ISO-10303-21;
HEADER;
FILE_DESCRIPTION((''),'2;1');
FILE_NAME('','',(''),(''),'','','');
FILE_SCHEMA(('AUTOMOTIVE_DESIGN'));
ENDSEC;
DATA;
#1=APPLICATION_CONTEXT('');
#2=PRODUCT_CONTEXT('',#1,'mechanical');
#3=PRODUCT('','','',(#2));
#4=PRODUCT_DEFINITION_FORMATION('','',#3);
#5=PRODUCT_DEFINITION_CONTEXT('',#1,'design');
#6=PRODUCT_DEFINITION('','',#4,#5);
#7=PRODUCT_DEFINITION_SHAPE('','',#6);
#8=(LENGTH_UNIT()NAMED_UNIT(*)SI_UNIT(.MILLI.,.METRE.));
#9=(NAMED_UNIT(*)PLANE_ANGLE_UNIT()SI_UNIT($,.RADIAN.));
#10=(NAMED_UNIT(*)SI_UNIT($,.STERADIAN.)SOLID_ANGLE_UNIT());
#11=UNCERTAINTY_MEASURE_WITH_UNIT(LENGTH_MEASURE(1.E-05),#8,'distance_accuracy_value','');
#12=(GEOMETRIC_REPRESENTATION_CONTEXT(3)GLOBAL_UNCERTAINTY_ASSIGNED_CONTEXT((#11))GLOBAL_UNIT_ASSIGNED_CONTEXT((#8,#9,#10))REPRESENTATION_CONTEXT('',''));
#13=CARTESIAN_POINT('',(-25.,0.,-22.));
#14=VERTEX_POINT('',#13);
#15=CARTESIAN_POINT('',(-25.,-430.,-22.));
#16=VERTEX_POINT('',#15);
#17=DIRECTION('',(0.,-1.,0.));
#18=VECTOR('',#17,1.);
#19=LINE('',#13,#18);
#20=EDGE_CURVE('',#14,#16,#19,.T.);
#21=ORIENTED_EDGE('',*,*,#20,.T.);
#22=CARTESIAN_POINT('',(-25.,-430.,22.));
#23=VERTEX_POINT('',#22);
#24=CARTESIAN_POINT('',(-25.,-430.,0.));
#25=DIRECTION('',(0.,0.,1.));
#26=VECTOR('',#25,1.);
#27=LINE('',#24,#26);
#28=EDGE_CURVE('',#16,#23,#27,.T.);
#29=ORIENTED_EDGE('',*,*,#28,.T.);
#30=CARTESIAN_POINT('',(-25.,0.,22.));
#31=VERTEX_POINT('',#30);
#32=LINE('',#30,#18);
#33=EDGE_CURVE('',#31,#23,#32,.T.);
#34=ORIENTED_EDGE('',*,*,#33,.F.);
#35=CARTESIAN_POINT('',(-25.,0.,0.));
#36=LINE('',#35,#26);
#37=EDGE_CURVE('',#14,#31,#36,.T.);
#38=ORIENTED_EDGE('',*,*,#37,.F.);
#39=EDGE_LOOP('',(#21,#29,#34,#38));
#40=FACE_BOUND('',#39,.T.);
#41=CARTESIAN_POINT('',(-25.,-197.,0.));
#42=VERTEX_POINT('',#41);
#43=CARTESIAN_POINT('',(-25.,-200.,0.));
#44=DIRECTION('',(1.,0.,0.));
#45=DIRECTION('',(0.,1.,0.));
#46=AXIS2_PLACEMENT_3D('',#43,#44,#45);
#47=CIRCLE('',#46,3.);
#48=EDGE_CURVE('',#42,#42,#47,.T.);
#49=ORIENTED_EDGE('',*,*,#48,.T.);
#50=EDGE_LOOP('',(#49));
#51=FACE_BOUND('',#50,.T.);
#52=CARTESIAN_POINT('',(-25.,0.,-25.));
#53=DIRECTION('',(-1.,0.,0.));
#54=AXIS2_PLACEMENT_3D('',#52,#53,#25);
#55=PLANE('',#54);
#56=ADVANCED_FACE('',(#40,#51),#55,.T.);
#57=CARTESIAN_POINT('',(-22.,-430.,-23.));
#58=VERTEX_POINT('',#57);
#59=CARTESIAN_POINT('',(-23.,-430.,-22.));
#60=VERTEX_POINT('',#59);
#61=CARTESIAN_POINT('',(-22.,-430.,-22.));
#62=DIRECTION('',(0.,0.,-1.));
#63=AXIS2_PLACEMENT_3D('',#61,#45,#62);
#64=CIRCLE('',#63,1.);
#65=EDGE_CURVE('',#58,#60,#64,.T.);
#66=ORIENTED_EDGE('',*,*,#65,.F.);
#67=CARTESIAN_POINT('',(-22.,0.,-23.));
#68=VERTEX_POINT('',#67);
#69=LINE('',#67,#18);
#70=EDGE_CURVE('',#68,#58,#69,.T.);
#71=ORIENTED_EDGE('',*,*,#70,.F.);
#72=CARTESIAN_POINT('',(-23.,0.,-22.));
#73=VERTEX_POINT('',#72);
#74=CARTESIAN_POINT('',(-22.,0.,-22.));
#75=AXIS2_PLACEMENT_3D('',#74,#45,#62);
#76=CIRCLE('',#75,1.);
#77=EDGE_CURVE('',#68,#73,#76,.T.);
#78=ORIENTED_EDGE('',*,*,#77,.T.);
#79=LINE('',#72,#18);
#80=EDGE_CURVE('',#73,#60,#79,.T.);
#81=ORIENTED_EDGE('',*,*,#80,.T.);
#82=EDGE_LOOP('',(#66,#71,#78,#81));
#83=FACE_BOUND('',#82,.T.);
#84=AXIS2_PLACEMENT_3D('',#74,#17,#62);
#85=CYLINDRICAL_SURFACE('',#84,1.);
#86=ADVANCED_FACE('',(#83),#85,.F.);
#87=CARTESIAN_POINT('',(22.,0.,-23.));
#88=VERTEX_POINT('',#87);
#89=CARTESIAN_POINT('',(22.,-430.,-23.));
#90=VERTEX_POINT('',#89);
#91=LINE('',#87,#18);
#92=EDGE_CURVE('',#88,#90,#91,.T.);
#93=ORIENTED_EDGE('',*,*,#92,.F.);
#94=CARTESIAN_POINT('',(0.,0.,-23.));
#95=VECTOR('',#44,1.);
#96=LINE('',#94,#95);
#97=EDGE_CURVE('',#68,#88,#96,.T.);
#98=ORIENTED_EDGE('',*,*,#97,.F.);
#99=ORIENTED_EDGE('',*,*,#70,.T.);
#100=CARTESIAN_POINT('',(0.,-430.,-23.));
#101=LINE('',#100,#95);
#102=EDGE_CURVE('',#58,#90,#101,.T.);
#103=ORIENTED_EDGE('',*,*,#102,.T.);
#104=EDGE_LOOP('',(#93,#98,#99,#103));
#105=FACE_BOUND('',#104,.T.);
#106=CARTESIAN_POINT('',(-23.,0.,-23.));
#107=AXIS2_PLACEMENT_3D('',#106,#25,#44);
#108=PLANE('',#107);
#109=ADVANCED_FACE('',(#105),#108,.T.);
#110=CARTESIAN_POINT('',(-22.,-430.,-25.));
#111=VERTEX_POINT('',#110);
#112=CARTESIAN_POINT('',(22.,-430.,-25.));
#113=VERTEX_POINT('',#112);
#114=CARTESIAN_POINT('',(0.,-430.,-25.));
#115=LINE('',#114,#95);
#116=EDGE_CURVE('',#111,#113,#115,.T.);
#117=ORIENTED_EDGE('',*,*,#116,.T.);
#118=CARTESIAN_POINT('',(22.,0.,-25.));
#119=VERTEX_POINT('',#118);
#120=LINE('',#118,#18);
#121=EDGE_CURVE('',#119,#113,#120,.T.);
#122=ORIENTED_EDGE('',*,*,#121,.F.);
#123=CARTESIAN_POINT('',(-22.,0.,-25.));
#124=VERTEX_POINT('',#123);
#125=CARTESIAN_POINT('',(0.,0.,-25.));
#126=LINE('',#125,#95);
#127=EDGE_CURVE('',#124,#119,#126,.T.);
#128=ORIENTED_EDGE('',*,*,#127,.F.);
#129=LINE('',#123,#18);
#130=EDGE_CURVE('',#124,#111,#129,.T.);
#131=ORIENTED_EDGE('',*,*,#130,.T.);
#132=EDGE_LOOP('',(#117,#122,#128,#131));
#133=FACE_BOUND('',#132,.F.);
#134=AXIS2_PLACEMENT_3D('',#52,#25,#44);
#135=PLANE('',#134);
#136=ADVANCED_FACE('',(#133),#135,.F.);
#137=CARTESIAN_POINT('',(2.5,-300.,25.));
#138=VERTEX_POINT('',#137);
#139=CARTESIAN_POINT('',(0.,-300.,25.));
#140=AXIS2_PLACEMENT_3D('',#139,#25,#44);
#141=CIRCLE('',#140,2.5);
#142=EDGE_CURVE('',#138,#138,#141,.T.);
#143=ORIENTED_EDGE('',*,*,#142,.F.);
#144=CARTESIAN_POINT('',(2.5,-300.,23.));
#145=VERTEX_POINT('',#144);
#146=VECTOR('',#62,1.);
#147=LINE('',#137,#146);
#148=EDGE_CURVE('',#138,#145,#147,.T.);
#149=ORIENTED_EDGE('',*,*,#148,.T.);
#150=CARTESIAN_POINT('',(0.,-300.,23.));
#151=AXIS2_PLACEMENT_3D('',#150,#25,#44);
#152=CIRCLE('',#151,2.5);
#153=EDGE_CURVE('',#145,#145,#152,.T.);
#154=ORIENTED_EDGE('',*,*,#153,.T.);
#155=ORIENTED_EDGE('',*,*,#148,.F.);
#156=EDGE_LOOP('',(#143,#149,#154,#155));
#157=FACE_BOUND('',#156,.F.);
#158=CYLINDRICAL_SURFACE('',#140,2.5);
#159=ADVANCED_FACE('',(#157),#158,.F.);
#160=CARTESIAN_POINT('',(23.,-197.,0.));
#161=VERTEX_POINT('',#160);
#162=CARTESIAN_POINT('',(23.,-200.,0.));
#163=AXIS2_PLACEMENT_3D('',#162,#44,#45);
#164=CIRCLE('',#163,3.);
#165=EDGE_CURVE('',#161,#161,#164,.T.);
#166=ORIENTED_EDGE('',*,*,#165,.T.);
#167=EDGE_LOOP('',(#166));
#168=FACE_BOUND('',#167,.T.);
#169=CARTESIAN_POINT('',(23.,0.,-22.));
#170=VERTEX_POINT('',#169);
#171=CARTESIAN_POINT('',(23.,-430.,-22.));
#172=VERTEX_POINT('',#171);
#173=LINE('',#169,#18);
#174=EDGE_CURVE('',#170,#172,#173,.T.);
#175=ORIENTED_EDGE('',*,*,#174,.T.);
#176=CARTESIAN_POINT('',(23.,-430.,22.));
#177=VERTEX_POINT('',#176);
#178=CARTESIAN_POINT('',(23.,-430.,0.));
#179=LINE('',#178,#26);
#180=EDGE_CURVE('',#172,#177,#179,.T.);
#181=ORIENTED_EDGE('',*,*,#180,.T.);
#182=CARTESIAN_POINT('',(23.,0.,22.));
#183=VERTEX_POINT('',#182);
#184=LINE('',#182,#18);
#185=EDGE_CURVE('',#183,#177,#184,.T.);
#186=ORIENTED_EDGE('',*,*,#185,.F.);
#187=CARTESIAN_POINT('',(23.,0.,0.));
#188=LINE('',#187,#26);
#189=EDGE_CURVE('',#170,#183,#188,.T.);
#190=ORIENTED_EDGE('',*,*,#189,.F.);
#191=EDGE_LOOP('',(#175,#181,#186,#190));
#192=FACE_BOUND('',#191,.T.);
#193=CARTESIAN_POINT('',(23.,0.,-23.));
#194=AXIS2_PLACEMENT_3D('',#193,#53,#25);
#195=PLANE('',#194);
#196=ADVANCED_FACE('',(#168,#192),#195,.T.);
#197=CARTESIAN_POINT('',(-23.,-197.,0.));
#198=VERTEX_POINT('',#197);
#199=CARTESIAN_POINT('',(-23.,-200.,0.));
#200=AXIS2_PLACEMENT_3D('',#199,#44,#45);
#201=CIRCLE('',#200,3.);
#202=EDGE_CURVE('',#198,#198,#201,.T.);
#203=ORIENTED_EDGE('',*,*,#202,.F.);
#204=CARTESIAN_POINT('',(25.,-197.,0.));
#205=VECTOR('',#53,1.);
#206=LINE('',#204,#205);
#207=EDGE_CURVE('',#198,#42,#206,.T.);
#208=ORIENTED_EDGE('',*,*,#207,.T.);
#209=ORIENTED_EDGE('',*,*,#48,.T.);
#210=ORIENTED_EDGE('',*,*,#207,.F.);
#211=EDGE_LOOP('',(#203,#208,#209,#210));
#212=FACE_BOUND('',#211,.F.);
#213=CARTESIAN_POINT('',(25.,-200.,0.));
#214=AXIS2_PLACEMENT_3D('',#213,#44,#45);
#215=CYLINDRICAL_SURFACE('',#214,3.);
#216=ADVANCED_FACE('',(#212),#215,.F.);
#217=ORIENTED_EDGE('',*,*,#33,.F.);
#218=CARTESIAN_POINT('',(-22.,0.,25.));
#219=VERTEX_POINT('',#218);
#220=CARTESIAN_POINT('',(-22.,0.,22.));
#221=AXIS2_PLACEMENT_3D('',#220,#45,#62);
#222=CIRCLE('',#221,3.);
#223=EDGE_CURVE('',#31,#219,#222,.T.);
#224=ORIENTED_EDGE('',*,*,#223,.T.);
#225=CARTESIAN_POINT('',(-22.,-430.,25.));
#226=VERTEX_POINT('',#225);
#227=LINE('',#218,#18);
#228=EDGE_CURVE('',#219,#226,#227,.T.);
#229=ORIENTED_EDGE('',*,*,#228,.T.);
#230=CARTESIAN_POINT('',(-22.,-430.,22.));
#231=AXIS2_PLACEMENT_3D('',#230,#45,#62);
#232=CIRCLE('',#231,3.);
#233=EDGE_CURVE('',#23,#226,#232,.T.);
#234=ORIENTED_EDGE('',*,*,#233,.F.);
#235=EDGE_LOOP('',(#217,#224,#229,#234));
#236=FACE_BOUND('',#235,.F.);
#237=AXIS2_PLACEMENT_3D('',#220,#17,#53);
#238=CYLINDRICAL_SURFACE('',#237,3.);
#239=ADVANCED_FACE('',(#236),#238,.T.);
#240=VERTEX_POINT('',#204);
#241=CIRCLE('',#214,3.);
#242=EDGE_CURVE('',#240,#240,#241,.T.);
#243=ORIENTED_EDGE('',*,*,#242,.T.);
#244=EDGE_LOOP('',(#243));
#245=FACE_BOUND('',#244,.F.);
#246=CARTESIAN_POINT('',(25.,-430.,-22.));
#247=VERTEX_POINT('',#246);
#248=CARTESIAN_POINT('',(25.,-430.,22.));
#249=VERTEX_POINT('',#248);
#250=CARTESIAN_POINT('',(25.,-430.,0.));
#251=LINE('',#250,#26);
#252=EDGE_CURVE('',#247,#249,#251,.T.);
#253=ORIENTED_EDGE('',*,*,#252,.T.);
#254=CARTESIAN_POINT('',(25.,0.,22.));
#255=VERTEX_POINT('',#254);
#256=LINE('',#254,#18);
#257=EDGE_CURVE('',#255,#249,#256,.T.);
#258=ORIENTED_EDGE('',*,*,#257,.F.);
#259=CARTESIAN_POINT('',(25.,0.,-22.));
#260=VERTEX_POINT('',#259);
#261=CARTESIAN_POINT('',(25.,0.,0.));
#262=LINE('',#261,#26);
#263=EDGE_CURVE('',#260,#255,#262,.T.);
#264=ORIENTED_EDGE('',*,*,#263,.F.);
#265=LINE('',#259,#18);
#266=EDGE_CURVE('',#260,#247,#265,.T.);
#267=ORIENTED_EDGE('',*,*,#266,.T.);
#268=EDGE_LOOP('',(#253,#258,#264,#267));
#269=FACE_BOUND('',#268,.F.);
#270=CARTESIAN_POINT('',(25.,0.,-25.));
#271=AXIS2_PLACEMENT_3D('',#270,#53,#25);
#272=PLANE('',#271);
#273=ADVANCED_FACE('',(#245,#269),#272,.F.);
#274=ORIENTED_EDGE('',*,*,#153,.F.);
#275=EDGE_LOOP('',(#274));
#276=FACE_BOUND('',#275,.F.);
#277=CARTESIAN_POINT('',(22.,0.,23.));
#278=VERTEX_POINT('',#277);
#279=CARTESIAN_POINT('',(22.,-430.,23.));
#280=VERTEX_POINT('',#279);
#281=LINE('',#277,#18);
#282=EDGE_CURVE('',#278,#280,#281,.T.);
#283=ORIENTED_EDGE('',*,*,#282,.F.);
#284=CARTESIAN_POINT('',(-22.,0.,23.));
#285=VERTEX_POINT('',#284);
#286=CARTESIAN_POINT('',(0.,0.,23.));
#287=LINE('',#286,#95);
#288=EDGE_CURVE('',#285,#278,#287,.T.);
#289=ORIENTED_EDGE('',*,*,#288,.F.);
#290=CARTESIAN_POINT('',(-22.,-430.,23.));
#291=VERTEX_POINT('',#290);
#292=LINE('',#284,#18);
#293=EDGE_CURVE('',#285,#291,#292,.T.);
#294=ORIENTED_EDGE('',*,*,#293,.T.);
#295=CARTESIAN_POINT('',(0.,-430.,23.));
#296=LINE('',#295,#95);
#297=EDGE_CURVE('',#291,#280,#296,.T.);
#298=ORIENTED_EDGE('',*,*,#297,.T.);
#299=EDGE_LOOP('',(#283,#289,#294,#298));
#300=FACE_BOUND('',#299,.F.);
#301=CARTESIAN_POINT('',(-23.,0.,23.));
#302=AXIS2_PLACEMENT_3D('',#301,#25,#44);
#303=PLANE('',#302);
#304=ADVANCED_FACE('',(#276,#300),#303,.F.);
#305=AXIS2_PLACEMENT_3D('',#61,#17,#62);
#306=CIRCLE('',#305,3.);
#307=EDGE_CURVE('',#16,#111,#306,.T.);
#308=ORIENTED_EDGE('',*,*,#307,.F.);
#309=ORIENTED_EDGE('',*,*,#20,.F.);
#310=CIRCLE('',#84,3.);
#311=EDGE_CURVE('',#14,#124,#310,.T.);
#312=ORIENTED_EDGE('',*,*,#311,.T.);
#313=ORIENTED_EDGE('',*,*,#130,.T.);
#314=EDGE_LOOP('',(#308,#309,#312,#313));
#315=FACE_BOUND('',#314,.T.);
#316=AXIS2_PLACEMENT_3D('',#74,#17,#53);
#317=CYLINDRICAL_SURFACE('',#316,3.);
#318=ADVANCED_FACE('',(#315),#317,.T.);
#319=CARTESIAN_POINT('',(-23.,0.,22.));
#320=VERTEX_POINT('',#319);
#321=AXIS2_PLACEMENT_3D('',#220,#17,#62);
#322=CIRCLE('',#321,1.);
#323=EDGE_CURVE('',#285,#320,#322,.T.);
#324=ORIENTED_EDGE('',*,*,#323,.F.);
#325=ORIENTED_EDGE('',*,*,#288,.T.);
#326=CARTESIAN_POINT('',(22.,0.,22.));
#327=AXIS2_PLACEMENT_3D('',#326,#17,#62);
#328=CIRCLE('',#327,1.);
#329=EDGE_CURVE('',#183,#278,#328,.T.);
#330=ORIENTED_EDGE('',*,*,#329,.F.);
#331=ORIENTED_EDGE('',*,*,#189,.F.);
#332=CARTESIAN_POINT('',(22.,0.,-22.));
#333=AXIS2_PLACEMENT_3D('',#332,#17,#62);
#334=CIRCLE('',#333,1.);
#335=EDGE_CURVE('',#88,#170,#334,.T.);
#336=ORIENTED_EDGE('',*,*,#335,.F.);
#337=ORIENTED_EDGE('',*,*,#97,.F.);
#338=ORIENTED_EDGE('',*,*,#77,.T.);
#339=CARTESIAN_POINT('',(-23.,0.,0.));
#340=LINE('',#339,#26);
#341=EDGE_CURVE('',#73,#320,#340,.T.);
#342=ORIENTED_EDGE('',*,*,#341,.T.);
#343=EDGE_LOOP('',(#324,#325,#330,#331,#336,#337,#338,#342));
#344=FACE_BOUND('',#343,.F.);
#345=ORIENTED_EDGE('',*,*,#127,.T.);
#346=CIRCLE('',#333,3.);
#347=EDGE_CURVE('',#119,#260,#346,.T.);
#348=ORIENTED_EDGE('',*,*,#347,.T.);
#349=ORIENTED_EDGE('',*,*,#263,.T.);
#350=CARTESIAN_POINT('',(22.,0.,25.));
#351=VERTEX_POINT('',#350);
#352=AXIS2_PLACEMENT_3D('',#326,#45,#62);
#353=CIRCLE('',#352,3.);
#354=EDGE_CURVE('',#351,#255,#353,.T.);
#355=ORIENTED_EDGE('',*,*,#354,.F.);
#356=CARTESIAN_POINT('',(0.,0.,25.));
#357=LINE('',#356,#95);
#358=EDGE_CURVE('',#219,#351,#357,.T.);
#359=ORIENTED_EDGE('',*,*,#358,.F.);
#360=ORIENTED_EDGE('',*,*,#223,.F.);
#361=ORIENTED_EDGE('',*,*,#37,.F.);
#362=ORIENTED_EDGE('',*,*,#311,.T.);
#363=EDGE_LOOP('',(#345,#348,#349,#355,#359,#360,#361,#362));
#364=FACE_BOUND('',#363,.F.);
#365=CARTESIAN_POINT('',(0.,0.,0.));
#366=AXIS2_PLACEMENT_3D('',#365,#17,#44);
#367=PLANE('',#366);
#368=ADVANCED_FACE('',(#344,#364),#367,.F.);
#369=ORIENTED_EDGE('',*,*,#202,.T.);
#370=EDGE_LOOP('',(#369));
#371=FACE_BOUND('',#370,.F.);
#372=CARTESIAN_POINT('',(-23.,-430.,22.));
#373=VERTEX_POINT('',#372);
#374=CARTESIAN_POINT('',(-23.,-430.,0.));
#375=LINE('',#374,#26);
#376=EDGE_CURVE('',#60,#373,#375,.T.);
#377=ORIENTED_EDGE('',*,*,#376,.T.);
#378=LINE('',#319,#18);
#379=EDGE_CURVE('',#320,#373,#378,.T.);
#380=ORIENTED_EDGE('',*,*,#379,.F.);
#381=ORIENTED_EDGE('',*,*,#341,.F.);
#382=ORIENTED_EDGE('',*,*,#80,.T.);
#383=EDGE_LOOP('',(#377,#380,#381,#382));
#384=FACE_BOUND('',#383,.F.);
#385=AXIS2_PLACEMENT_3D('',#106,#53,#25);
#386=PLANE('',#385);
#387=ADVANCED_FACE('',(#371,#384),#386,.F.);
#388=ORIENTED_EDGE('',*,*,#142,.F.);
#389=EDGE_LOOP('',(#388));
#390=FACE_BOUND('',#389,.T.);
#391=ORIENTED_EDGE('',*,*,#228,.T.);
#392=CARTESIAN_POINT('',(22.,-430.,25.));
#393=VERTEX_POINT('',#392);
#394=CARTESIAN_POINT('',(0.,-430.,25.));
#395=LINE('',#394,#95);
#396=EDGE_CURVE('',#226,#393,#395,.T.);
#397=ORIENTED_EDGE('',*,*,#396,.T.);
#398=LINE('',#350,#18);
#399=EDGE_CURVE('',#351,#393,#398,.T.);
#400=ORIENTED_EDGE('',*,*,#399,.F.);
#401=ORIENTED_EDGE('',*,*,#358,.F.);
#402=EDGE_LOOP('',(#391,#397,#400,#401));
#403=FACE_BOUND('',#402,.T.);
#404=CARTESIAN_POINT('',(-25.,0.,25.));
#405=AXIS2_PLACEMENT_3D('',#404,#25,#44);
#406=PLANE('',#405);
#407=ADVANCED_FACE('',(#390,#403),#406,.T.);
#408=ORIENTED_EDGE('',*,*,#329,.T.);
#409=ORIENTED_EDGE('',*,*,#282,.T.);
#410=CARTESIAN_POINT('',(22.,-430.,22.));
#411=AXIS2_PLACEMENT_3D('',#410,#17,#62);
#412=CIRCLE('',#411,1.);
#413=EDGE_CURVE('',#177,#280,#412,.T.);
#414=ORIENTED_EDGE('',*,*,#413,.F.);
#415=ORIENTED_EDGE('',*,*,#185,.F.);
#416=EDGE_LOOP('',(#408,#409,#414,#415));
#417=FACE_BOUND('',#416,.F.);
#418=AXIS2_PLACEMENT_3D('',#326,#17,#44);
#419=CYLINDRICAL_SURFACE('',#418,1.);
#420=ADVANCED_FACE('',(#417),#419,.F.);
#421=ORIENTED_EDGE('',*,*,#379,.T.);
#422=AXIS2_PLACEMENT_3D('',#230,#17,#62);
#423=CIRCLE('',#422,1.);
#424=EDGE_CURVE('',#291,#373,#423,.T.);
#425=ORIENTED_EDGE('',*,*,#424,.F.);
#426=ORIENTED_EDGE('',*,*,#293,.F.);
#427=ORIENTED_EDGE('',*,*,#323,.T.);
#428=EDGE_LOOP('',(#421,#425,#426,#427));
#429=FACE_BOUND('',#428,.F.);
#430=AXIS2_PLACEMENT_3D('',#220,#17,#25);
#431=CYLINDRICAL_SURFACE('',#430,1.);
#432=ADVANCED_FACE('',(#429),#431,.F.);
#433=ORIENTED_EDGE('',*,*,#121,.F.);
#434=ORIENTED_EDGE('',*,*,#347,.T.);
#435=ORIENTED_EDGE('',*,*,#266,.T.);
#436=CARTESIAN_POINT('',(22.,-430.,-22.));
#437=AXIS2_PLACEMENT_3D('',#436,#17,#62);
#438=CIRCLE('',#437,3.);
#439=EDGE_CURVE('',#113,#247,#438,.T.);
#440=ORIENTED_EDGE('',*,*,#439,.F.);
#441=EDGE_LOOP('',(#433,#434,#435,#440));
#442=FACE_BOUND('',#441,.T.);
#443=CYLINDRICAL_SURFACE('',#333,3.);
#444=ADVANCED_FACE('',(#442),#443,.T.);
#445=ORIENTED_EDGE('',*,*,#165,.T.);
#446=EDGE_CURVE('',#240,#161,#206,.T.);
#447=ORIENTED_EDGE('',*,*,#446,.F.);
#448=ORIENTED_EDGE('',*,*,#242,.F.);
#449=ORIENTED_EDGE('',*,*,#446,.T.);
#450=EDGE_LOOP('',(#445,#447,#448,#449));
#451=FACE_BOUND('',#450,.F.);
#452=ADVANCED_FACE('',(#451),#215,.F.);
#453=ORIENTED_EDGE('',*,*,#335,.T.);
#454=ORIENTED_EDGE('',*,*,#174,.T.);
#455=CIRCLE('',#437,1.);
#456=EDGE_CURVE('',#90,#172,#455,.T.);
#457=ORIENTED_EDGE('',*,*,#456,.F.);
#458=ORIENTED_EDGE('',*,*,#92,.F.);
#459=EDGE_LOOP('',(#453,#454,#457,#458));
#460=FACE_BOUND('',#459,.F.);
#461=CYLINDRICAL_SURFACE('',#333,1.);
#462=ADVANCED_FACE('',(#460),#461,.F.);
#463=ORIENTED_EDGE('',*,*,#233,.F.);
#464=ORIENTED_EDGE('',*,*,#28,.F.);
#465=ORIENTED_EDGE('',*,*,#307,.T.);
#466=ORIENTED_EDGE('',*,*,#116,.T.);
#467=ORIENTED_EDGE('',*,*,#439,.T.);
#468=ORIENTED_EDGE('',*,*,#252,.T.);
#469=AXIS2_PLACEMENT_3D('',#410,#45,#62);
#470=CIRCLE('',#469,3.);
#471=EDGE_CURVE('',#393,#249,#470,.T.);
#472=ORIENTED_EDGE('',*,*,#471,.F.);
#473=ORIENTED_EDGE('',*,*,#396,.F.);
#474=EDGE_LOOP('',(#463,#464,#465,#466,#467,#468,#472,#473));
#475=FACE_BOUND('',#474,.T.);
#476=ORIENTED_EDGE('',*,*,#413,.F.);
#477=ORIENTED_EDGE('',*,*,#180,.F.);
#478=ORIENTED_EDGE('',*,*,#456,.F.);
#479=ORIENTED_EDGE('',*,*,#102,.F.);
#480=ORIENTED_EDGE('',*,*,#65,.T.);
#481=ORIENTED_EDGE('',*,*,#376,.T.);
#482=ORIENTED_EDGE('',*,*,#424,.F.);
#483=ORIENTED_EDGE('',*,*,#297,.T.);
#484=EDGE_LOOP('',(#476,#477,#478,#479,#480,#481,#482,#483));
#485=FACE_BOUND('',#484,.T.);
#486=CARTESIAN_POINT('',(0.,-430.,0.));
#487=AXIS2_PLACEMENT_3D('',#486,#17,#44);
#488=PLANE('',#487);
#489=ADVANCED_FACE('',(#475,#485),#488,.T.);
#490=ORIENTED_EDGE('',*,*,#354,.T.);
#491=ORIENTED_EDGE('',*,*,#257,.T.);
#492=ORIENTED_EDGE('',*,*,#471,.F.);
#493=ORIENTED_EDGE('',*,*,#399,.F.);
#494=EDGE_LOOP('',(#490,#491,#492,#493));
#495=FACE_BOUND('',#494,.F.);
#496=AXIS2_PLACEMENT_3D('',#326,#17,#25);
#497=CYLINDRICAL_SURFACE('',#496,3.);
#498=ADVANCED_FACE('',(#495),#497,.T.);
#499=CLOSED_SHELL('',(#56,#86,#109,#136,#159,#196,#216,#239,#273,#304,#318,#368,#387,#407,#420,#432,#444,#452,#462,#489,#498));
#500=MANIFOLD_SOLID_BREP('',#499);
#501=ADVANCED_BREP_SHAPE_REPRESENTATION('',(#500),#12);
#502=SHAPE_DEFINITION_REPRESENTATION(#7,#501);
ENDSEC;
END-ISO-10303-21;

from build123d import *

# Parameters (mm, degrees)
F0_W     = 50
F0_H     = 50
F0_W_2   = 46
F0_H_2   = 46
F1_DEPTH = 430
F2_R     = 1
F3_R     = 3
F4_R     = 2.5
F5_DEPTH = 5
F6_R     = 3
F7_DEPTH = 50.001


with BuildPart() as f1:
    # F0 (on Front) → F1 (new body)
    with BuildSketch(Plane.XZ):
        Rectangle(F0_W, F0_H)
        Rectangle(F0_W_2, F0_H_2, mode=Mode.SUBTRACT)
    extrude(amount=F1_DEPTH)

    # F2
    f2_edges = [f1.edges().sort_by_distance(p)[0] for p in [
        (-23, -215, 23),
        (23, -215, 23),
        (23, -215, -23),
        (-23, -215, -23),
    ]]
    fillet(f2_edges, radius=F2_R)

    # F3
    f3_edges = [f1.edges().sort_by_distance(p)[0] for p in [
        (25, -215, 25),
        (-25, -215, 25),
        (25, -215, -25),
        (-25, -215, -25),
    ]]
    fillet(f3_edges, radius=F3_R)

    # F4 (on face) → F5 (cut)
    with BuildSketch(Plane.XY.offset(25)):
        with Locations((0, -300)):
            Circle(F4_R)
    extrude(amount=-F5_DEPTH, mode=Mode.SUBTRACT)

    # F6 (on face) → F7 (cut, through all)
    with BuildSketch(Plane.YZ.offset(25)):
        with Locations((-200, 0)):
            Circle(F6_R)
    extrude(amount=-F7_DEPTH, mode=Mode.SUBTRACT)


solid = f1.part
